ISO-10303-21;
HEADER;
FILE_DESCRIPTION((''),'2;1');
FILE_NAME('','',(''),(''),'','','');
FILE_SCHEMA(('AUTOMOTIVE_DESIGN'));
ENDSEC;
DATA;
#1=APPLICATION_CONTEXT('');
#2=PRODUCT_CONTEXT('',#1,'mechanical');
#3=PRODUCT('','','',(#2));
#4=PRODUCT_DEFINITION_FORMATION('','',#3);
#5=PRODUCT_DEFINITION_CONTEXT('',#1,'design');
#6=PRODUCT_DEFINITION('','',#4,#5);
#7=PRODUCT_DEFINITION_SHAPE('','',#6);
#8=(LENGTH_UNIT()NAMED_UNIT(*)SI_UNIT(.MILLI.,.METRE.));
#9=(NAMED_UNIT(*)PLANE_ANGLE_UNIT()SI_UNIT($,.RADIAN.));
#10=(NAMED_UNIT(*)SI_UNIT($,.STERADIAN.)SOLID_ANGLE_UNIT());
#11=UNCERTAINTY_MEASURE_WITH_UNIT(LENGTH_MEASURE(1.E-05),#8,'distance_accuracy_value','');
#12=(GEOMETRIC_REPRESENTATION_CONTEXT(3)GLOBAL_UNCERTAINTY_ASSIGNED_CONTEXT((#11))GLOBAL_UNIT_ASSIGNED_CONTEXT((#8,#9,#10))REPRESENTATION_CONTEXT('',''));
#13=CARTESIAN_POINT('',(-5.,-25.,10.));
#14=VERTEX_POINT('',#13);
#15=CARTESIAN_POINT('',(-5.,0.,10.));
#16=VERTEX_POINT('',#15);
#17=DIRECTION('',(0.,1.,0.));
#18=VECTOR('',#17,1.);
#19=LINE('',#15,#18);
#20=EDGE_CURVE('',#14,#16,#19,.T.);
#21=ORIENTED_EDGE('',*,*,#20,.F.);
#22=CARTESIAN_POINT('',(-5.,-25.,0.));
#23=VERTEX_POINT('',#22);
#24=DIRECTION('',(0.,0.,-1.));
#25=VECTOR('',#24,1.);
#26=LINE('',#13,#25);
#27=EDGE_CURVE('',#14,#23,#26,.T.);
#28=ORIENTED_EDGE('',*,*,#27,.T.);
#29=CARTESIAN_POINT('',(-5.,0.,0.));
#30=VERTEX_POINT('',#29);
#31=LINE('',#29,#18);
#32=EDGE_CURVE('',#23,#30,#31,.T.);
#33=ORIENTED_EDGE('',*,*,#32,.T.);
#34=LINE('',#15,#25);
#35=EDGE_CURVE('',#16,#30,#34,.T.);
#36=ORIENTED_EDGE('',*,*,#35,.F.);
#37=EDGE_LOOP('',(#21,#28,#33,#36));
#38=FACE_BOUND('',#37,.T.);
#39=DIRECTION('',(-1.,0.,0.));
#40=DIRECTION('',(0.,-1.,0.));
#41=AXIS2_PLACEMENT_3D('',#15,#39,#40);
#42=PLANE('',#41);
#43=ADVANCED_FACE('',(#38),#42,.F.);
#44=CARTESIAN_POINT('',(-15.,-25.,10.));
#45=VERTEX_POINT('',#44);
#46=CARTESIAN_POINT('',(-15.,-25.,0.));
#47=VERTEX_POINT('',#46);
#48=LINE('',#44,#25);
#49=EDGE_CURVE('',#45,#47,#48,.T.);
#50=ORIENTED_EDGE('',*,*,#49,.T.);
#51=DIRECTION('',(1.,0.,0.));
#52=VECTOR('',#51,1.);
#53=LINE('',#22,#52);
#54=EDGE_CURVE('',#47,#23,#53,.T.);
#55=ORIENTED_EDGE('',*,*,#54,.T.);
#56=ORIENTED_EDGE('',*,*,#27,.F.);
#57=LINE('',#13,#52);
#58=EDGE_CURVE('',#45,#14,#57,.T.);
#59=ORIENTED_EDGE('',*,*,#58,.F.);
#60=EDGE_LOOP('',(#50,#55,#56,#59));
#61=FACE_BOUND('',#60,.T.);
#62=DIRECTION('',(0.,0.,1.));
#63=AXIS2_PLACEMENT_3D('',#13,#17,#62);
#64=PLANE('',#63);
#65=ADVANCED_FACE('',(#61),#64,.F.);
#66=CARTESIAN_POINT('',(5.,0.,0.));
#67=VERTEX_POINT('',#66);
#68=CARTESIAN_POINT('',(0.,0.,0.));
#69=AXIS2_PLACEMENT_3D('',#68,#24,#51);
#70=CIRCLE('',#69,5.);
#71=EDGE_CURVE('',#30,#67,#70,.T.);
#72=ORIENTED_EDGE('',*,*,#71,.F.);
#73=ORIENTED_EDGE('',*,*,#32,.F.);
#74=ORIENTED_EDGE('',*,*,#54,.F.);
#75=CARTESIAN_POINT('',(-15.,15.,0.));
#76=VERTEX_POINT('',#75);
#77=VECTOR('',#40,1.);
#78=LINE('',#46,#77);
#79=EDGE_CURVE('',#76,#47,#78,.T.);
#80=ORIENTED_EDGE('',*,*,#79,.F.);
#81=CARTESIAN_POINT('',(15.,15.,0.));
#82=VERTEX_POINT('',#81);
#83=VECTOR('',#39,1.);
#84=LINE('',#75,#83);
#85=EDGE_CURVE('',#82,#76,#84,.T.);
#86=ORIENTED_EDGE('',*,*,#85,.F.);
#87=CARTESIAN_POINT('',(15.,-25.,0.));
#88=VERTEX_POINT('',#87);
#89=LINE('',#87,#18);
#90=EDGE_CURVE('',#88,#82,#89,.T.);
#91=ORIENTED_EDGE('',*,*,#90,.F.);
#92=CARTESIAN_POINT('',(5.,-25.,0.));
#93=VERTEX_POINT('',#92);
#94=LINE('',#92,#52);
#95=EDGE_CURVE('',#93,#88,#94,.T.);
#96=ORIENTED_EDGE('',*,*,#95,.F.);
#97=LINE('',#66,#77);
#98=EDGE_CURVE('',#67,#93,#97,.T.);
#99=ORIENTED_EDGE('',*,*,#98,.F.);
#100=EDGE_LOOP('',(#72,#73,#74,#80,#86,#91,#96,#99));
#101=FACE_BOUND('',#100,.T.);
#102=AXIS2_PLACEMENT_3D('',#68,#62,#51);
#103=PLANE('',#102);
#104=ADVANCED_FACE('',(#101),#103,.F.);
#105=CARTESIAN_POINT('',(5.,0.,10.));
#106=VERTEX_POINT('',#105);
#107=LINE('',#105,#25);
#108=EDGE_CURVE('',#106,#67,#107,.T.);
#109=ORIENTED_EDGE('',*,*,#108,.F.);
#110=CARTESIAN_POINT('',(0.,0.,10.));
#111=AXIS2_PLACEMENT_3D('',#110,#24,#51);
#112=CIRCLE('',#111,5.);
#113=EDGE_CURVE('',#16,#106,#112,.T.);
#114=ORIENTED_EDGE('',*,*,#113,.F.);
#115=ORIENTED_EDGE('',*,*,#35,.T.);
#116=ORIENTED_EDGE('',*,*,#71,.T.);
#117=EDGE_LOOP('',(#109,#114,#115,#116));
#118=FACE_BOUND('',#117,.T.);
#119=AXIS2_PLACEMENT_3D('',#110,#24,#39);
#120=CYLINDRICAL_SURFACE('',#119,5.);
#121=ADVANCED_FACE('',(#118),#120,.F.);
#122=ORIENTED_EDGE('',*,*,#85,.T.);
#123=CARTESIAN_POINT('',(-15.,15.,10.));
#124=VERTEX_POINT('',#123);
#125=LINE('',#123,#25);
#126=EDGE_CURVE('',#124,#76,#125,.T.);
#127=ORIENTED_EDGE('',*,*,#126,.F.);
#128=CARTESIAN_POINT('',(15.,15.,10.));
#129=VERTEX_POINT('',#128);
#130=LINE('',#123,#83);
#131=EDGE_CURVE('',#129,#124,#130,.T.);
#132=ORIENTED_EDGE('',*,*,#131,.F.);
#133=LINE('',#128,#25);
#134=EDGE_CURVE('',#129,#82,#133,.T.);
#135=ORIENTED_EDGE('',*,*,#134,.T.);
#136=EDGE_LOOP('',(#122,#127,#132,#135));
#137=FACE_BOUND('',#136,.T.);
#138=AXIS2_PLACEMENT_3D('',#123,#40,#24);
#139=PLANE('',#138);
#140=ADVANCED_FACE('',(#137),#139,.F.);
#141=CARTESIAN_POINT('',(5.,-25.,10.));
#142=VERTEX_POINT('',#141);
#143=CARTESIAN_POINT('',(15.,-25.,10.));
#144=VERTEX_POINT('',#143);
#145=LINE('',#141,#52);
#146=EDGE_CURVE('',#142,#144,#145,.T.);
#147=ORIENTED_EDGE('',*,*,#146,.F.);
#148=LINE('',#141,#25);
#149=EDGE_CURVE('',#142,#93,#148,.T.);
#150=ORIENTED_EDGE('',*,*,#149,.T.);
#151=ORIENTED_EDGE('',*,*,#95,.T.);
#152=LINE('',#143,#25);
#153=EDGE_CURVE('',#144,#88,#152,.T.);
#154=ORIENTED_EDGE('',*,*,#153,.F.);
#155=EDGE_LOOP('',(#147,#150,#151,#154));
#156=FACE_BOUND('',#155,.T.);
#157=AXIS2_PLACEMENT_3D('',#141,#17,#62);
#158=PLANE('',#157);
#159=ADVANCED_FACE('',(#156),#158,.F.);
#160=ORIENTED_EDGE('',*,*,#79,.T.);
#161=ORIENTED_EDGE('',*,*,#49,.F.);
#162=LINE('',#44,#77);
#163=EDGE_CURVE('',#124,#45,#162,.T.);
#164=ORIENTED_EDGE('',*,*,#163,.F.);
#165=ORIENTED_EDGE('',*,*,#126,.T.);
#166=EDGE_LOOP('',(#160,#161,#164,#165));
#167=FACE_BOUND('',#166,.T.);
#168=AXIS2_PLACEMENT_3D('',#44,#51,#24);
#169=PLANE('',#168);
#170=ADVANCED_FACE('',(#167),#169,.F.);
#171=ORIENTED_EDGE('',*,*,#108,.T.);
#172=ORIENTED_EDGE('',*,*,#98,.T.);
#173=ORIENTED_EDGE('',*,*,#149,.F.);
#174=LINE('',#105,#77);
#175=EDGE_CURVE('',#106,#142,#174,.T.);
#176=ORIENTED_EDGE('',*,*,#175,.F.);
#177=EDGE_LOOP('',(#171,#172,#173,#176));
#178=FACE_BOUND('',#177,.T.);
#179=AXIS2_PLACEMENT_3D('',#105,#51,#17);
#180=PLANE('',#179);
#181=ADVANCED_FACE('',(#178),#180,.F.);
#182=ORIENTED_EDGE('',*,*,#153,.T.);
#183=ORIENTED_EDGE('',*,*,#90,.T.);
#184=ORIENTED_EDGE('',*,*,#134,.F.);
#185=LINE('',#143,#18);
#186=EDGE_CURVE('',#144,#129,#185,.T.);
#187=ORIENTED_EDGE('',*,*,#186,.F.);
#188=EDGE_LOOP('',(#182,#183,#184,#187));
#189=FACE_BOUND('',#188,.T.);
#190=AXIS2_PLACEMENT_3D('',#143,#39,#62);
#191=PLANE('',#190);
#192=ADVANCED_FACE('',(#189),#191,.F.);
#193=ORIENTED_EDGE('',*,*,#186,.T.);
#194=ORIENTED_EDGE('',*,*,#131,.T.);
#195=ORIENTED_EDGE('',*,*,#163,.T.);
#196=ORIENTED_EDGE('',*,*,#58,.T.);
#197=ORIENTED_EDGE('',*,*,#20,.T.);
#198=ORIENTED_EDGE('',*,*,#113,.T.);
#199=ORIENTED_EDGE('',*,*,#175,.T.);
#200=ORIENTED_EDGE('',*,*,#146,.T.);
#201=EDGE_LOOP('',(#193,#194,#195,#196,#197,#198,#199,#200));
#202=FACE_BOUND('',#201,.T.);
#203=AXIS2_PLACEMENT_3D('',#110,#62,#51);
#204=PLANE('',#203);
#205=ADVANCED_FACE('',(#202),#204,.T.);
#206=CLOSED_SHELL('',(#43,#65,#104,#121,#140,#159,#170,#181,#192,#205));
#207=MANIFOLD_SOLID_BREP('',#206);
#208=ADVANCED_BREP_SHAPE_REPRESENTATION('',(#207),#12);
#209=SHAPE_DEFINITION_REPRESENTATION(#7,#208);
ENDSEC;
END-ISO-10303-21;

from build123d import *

# Parameters (mm, degrees)
BOSS_EXTRUDE1_DEPTH = 10


with BuildPart() as part:
    # Sketch1 → Boss-Extrude1 (new body)
    with BuildSketch(Plane.XY):
        with BuildLine():
            Line((-5, 0), (-5, -25))
            Line((-5, -25), (-15, -25))
            Line((-15, -25), (-15, 15))
            Line((-15, 15), (15, 15))
            Line((15, 15), (15, -25))
            Line((15, -25), (5, -25))
            Line((5, -25), (5, 0))
            ThreePointArc((5, 0), (0, 5), (-5, 0))
        make_face()
    extrude(amount=BOSS_EXTRUDE1_DEPTH)


solid = part.part
